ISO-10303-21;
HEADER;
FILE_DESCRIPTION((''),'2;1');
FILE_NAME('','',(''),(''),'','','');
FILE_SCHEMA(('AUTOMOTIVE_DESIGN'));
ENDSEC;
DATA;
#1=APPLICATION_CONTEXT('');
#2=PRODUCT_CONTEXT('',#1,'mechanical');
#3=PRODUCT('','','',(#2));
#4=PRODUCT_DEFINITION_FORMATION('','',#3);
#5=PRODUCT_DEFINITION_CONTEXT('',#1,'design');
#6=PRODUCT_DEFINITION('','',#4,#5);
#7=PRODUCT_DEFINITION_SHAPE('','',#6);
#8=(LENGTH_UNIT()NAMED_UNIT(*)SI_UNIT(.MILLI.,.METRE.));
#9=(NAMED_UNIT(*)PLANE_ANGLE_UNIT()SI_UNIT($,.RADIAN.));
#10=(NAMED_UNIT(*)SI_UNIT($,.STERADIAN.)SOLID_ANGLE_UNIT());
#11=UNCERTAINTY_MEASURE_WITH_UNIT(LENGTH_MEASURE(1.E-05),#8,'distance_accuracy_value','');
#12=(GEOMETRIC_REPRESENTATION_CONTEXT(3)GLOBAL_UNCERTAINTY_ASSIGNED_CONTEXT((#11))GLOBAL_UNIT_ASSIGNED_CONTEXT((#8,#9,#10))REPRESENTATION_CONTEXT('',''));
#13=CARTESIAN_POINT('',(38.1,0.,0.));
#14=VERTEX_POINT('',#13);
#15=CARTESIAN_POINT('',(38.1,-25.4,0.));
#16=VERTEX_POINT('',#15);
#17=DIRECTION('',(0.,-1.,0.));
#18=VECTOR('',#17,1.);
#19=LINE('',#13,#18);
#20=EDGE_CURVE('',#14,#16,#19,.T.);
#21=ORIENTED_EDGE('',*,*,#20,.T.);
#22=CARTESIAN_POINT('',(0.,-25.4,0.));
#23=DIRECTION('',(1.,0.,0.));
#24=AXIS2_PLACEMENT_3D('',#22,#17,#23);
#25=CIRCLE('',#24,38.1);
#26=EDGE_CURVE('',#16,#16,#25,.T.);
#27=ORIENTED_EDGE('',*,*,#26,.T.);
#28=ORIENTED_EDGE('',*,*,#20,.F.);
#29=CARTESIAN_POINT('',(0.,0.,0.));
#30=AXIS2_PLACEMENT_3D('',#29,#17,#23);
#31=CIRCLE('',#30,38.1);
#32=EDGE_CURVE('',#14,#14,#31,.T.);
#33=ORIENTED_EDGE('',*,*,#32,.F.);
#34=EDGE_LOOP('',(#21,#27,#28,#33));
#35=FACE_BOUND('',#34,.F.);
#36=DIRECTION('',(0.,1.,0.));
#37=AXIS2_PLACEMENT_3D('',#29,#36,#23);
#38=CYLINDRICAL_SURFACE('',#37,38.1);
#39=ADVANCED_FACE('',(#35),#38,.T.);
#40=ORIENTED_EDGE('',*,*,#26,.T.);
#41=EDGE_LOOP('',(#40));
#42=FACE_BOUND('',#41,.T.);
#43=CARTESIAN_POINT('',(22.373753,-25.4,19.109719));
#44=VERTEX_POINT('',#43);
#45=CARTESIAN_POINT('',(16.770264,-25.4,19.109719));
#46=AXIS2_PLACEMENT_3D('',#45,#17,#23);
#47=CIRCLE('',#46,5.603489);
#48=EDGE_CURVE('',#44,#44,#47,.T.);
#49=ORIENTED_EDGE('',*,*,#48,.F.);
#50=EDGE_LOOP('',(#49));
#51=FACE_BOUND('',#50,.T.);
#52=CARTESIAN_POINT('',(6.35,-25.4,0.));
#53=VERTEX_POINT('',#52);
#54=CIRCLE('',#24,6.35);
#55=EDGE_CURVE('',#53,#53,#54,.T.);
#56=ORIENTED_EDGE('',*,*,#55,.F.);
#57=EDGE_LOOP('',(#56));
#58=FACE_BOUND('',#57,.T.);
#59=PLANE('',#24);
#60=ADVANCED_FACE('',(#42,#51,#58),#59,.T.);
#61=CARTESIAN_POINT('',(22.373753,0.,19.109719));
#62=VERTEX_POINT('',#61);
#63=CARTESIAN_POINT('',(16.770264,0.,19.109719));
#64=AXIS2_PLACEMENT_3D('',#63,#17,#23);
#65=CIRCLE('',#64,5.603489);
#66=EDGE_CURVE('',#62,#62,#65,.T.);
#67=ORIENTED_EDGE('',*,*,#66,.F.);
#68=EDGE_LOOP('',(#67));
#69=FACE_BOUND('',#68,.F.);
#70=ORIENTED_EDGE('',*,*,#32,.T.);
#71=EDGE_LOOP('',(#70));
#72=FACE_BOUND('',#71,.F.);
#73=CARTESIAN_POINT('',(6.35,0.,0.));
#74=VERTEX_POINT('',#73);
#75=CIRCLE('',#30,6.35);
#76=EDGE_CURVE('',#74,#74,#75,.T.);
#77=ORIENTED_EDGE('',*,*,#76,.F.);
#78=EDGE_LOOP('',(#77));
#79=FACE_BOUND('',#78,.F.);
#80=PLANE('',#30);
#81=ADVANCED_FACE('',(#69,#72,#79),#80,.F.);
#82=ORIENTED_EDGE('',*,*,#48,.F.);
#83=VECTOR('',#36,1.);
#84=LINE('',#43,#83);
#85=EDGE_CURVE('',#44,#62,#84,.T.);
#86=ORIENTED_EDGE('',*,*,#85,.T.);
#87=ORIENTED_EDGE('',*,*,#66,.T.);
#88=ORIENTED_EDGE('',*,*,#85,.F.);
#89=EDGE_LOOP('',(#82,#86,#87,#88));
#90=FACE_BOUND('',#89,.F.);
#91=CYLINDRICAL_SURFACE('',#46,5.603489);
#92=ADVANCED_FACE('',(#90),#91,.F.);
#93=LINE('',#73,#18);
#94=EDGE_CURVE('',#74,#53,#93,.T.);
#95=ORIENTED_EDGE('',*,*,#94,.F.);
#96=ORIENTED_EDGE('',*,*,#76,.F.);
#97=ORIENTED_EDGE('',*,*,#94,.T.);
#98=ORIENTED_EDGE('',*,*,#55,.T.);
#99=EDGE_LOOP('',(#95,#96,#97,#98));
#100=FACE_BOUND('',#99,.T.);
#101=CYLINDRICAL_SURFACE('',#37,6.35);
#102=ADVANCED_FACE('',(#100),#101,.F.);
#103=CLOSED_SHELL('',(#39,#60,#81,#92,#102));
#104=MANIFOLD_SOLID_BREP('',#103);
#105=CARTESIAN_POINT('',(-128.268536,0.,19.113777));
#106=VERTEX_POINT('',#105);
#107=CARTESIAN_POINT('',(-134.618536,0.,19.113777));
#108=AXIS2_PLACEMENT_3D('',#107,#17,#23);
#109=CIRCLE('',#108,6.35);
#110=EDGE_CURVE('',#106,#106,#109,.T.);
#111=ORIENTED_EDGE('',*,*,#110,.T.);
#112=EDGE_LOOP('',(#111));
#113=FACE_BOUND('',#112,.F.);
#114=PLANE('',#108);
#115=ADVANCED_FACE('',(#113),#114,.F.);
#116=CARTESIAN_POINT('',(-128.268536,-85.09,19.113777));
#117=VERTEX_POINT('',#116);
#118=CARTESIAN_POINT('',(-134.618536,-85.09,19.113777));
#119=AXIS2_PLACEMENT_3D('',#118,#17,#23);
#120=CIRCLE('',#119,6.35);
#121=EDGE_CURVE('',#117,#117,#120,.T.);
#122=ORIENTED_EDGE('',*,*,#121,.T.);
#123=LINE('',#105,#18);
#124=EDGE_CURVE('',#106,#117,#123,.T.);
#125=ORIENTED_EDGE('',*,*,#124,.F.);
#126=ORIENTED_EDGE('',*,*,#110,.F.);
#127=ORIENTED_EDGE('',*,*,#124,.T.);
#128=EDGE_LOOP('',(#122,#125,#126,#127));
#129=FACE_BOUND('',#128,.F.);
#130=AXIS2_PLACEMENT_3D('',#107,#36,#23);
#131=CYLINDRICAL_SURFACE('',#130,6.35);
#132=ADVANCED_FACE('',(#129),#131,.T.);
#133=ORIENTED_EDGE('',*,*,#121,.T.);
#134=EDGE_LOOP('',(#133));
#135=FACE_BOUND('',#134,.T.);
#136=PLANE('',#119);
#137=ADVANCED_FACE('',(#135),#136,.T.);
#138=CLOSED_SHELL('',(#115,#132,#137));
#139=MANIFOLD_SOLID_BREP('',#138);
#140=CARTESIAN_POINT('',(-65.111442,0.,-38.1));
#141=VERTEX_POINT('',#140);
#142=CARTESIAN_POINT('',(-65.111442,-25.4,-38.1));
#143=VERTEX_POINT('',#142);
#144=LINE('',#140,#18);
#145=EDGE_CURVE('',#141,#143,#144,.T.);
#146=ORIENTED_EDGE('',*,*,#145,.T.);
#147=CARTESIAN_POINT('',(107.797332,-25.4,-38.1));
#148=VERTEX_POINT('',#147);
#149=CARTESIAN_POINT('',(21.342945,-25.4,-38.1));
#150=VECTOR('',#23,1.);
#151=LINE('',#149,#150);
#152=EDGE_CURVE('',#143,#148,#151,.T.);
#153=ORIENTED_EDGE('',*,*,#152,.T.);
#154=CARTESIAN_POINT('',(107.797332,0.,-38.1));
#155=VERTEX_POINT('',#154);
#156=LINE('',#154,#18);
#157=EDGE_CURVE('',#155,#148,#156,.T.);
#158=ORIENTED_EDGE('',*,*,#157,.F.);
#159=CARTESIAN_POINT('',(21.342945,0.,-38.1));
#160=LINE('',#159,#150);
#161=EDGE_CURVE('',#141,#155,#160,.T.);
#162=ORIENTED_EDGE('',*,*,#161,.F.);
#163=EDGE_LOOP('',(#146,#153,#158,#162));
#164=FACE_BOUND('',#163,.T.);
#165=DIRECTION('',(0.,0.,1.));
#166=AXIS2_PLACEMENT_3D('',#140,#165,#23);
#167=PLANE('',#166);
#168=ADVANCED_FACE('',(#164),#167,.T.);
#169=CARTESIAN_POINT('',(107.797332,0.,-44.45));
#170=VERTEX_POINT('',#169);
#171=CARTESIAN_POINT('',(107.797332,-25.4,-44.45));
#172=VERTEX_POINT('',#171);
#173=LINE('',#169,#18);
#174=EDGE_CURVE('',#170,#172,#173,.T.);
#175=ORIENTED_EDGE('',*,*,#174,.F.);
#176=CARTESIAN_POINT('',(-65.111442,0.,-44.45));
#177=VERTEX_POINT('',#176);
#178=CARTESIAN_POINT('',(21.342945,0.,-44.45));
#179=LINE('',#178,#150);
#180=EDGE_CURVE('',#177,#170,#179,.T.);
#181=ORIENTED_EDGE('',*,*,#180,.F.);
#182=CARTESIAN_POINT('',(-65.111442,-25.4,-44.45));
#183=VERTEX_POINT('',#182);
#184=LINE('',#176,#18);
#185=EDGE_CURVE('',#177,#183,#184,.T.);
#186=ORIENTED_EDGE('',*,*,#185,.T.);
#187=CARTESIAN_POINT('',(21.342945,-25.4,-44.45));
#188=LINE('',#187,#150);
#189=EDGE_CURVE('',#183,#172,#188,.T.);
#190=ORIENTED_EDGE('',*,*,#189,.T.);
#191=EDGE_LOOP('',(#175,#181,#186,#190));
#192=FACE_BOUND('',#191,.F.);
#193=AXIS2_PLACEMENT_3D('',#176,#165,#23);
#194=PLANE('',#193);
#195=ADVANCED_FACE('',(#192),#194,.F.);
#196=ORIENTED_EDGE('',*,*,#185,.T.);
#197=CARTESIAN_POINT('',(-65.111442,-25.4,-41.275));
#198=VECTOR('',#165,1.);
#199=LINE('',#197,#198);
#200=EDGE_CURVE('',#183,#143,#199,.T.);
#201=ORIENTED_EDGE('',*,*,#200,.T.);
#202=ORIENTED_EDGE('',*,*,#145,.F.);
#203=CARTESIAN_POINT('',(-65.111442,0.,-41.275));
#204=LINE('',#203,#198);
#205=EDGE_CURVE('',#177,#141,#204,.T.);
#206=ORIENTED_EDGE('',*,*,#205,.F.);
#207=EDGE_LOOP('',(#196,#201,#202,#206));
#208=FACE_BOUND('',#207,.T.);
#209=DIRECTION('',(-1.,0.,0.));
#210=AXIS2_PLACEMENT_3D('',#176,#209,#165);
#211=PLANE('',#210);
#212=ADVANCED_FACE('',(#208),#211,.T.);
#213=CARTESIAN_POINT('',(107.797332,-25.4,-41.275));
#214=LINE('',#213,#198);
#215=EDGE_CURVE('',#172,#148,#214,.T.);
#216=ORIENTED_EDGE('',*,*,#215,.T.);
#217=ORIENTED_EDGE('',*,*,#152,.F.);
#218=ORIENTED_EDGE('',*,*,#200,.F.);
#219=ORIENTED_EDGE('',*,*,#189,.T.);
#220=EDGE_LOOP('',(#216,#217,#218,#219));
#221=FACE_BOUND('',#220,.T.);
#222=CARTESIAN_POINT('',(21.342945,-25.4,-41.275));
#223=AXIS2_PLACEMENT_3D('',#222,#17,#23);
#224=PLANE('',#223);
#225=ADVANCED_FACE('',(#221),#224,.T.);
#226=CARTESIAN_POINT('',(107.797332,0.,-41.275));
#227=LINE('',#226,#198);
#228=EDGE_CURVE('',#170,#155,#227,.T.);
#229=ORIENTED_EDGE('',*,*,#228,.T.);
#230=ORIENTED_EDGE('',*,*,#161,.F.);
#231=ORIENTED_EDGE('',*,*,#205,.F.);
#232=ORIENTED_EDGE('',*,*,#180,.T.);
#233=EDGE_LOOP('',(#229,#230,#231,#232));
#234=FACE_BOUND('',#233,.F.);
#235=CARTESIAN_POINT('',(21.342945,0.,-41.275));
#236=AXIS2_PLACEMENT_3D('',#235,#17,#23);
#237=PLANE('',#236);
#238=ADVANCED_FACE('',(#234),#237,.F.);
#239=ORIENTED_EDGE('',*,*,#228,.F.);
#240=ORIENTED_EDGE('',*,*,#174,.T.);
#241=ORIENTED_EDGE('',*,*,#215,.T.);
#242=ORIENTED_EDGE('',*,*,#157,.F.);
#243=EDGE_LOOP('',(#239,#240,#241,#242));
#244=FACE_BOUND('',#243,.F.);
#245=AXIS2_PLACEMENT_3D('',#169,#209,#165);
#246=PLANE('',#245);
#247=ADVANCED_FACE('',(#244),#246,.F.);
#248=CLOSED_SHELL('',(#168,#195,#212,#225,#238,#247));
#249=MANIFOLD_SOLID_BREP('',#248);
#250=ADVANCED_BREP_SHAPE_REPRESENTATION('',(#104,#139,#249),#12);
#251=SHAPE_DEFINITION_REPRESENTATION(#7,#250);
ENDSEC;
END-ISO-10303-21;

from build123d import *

# Parameters (mm, degrees)
F0_R     = 38.1
F0_R_2   = 6.35
F1_DEPTH = 25.4
F2_W     = 172.908775
F2_H     = 6.35
F3_DEPTH = 25.4
F4_R     = 6.35
F5_DEPTH = 85.09
F6_R     = 5.603489
F7_DEPTH = 25.4


with BuildPart() as f1:
    # F0 (on Front) → F1 (new body)
    with BuildSketch(Plane.XZ):
        Circle(F0_R)
        Circle(F0_R_2, mode=Mode.SUBTRACT)
    extrude(amount=F1_DEPTH)

    # F6 (on face) → F7 (cut)
    with BuildSketch(Plane.XZ.offset(25.4)):
        with Locations((16.770264, 19.109719)):
            Circle(F6_R)
    extrude(amount=-F7_DEPTH, mode=Mode.SUBTRACT)


with BuildPart() as f3:
    # F2 (on Front) → F3 (new body)
    with BuildSketch(Plane.XZ):
        with Locations((21.342945, -41.275)):
            Rectangle(F2_W, F2_H)
    extrude(amount=F3_DEPTH)


with BuildPart() as f5:
    # F4 (on Front) → F5 (new body)
    with BuildSketch(Plane.XZ):
        with Locations((-134.618536, 19.113777)):
            Circle(F4_R)
    extrude(amount=F5_DEPTH)


solid = Compound([f1.part, f3.part, f5.part])
